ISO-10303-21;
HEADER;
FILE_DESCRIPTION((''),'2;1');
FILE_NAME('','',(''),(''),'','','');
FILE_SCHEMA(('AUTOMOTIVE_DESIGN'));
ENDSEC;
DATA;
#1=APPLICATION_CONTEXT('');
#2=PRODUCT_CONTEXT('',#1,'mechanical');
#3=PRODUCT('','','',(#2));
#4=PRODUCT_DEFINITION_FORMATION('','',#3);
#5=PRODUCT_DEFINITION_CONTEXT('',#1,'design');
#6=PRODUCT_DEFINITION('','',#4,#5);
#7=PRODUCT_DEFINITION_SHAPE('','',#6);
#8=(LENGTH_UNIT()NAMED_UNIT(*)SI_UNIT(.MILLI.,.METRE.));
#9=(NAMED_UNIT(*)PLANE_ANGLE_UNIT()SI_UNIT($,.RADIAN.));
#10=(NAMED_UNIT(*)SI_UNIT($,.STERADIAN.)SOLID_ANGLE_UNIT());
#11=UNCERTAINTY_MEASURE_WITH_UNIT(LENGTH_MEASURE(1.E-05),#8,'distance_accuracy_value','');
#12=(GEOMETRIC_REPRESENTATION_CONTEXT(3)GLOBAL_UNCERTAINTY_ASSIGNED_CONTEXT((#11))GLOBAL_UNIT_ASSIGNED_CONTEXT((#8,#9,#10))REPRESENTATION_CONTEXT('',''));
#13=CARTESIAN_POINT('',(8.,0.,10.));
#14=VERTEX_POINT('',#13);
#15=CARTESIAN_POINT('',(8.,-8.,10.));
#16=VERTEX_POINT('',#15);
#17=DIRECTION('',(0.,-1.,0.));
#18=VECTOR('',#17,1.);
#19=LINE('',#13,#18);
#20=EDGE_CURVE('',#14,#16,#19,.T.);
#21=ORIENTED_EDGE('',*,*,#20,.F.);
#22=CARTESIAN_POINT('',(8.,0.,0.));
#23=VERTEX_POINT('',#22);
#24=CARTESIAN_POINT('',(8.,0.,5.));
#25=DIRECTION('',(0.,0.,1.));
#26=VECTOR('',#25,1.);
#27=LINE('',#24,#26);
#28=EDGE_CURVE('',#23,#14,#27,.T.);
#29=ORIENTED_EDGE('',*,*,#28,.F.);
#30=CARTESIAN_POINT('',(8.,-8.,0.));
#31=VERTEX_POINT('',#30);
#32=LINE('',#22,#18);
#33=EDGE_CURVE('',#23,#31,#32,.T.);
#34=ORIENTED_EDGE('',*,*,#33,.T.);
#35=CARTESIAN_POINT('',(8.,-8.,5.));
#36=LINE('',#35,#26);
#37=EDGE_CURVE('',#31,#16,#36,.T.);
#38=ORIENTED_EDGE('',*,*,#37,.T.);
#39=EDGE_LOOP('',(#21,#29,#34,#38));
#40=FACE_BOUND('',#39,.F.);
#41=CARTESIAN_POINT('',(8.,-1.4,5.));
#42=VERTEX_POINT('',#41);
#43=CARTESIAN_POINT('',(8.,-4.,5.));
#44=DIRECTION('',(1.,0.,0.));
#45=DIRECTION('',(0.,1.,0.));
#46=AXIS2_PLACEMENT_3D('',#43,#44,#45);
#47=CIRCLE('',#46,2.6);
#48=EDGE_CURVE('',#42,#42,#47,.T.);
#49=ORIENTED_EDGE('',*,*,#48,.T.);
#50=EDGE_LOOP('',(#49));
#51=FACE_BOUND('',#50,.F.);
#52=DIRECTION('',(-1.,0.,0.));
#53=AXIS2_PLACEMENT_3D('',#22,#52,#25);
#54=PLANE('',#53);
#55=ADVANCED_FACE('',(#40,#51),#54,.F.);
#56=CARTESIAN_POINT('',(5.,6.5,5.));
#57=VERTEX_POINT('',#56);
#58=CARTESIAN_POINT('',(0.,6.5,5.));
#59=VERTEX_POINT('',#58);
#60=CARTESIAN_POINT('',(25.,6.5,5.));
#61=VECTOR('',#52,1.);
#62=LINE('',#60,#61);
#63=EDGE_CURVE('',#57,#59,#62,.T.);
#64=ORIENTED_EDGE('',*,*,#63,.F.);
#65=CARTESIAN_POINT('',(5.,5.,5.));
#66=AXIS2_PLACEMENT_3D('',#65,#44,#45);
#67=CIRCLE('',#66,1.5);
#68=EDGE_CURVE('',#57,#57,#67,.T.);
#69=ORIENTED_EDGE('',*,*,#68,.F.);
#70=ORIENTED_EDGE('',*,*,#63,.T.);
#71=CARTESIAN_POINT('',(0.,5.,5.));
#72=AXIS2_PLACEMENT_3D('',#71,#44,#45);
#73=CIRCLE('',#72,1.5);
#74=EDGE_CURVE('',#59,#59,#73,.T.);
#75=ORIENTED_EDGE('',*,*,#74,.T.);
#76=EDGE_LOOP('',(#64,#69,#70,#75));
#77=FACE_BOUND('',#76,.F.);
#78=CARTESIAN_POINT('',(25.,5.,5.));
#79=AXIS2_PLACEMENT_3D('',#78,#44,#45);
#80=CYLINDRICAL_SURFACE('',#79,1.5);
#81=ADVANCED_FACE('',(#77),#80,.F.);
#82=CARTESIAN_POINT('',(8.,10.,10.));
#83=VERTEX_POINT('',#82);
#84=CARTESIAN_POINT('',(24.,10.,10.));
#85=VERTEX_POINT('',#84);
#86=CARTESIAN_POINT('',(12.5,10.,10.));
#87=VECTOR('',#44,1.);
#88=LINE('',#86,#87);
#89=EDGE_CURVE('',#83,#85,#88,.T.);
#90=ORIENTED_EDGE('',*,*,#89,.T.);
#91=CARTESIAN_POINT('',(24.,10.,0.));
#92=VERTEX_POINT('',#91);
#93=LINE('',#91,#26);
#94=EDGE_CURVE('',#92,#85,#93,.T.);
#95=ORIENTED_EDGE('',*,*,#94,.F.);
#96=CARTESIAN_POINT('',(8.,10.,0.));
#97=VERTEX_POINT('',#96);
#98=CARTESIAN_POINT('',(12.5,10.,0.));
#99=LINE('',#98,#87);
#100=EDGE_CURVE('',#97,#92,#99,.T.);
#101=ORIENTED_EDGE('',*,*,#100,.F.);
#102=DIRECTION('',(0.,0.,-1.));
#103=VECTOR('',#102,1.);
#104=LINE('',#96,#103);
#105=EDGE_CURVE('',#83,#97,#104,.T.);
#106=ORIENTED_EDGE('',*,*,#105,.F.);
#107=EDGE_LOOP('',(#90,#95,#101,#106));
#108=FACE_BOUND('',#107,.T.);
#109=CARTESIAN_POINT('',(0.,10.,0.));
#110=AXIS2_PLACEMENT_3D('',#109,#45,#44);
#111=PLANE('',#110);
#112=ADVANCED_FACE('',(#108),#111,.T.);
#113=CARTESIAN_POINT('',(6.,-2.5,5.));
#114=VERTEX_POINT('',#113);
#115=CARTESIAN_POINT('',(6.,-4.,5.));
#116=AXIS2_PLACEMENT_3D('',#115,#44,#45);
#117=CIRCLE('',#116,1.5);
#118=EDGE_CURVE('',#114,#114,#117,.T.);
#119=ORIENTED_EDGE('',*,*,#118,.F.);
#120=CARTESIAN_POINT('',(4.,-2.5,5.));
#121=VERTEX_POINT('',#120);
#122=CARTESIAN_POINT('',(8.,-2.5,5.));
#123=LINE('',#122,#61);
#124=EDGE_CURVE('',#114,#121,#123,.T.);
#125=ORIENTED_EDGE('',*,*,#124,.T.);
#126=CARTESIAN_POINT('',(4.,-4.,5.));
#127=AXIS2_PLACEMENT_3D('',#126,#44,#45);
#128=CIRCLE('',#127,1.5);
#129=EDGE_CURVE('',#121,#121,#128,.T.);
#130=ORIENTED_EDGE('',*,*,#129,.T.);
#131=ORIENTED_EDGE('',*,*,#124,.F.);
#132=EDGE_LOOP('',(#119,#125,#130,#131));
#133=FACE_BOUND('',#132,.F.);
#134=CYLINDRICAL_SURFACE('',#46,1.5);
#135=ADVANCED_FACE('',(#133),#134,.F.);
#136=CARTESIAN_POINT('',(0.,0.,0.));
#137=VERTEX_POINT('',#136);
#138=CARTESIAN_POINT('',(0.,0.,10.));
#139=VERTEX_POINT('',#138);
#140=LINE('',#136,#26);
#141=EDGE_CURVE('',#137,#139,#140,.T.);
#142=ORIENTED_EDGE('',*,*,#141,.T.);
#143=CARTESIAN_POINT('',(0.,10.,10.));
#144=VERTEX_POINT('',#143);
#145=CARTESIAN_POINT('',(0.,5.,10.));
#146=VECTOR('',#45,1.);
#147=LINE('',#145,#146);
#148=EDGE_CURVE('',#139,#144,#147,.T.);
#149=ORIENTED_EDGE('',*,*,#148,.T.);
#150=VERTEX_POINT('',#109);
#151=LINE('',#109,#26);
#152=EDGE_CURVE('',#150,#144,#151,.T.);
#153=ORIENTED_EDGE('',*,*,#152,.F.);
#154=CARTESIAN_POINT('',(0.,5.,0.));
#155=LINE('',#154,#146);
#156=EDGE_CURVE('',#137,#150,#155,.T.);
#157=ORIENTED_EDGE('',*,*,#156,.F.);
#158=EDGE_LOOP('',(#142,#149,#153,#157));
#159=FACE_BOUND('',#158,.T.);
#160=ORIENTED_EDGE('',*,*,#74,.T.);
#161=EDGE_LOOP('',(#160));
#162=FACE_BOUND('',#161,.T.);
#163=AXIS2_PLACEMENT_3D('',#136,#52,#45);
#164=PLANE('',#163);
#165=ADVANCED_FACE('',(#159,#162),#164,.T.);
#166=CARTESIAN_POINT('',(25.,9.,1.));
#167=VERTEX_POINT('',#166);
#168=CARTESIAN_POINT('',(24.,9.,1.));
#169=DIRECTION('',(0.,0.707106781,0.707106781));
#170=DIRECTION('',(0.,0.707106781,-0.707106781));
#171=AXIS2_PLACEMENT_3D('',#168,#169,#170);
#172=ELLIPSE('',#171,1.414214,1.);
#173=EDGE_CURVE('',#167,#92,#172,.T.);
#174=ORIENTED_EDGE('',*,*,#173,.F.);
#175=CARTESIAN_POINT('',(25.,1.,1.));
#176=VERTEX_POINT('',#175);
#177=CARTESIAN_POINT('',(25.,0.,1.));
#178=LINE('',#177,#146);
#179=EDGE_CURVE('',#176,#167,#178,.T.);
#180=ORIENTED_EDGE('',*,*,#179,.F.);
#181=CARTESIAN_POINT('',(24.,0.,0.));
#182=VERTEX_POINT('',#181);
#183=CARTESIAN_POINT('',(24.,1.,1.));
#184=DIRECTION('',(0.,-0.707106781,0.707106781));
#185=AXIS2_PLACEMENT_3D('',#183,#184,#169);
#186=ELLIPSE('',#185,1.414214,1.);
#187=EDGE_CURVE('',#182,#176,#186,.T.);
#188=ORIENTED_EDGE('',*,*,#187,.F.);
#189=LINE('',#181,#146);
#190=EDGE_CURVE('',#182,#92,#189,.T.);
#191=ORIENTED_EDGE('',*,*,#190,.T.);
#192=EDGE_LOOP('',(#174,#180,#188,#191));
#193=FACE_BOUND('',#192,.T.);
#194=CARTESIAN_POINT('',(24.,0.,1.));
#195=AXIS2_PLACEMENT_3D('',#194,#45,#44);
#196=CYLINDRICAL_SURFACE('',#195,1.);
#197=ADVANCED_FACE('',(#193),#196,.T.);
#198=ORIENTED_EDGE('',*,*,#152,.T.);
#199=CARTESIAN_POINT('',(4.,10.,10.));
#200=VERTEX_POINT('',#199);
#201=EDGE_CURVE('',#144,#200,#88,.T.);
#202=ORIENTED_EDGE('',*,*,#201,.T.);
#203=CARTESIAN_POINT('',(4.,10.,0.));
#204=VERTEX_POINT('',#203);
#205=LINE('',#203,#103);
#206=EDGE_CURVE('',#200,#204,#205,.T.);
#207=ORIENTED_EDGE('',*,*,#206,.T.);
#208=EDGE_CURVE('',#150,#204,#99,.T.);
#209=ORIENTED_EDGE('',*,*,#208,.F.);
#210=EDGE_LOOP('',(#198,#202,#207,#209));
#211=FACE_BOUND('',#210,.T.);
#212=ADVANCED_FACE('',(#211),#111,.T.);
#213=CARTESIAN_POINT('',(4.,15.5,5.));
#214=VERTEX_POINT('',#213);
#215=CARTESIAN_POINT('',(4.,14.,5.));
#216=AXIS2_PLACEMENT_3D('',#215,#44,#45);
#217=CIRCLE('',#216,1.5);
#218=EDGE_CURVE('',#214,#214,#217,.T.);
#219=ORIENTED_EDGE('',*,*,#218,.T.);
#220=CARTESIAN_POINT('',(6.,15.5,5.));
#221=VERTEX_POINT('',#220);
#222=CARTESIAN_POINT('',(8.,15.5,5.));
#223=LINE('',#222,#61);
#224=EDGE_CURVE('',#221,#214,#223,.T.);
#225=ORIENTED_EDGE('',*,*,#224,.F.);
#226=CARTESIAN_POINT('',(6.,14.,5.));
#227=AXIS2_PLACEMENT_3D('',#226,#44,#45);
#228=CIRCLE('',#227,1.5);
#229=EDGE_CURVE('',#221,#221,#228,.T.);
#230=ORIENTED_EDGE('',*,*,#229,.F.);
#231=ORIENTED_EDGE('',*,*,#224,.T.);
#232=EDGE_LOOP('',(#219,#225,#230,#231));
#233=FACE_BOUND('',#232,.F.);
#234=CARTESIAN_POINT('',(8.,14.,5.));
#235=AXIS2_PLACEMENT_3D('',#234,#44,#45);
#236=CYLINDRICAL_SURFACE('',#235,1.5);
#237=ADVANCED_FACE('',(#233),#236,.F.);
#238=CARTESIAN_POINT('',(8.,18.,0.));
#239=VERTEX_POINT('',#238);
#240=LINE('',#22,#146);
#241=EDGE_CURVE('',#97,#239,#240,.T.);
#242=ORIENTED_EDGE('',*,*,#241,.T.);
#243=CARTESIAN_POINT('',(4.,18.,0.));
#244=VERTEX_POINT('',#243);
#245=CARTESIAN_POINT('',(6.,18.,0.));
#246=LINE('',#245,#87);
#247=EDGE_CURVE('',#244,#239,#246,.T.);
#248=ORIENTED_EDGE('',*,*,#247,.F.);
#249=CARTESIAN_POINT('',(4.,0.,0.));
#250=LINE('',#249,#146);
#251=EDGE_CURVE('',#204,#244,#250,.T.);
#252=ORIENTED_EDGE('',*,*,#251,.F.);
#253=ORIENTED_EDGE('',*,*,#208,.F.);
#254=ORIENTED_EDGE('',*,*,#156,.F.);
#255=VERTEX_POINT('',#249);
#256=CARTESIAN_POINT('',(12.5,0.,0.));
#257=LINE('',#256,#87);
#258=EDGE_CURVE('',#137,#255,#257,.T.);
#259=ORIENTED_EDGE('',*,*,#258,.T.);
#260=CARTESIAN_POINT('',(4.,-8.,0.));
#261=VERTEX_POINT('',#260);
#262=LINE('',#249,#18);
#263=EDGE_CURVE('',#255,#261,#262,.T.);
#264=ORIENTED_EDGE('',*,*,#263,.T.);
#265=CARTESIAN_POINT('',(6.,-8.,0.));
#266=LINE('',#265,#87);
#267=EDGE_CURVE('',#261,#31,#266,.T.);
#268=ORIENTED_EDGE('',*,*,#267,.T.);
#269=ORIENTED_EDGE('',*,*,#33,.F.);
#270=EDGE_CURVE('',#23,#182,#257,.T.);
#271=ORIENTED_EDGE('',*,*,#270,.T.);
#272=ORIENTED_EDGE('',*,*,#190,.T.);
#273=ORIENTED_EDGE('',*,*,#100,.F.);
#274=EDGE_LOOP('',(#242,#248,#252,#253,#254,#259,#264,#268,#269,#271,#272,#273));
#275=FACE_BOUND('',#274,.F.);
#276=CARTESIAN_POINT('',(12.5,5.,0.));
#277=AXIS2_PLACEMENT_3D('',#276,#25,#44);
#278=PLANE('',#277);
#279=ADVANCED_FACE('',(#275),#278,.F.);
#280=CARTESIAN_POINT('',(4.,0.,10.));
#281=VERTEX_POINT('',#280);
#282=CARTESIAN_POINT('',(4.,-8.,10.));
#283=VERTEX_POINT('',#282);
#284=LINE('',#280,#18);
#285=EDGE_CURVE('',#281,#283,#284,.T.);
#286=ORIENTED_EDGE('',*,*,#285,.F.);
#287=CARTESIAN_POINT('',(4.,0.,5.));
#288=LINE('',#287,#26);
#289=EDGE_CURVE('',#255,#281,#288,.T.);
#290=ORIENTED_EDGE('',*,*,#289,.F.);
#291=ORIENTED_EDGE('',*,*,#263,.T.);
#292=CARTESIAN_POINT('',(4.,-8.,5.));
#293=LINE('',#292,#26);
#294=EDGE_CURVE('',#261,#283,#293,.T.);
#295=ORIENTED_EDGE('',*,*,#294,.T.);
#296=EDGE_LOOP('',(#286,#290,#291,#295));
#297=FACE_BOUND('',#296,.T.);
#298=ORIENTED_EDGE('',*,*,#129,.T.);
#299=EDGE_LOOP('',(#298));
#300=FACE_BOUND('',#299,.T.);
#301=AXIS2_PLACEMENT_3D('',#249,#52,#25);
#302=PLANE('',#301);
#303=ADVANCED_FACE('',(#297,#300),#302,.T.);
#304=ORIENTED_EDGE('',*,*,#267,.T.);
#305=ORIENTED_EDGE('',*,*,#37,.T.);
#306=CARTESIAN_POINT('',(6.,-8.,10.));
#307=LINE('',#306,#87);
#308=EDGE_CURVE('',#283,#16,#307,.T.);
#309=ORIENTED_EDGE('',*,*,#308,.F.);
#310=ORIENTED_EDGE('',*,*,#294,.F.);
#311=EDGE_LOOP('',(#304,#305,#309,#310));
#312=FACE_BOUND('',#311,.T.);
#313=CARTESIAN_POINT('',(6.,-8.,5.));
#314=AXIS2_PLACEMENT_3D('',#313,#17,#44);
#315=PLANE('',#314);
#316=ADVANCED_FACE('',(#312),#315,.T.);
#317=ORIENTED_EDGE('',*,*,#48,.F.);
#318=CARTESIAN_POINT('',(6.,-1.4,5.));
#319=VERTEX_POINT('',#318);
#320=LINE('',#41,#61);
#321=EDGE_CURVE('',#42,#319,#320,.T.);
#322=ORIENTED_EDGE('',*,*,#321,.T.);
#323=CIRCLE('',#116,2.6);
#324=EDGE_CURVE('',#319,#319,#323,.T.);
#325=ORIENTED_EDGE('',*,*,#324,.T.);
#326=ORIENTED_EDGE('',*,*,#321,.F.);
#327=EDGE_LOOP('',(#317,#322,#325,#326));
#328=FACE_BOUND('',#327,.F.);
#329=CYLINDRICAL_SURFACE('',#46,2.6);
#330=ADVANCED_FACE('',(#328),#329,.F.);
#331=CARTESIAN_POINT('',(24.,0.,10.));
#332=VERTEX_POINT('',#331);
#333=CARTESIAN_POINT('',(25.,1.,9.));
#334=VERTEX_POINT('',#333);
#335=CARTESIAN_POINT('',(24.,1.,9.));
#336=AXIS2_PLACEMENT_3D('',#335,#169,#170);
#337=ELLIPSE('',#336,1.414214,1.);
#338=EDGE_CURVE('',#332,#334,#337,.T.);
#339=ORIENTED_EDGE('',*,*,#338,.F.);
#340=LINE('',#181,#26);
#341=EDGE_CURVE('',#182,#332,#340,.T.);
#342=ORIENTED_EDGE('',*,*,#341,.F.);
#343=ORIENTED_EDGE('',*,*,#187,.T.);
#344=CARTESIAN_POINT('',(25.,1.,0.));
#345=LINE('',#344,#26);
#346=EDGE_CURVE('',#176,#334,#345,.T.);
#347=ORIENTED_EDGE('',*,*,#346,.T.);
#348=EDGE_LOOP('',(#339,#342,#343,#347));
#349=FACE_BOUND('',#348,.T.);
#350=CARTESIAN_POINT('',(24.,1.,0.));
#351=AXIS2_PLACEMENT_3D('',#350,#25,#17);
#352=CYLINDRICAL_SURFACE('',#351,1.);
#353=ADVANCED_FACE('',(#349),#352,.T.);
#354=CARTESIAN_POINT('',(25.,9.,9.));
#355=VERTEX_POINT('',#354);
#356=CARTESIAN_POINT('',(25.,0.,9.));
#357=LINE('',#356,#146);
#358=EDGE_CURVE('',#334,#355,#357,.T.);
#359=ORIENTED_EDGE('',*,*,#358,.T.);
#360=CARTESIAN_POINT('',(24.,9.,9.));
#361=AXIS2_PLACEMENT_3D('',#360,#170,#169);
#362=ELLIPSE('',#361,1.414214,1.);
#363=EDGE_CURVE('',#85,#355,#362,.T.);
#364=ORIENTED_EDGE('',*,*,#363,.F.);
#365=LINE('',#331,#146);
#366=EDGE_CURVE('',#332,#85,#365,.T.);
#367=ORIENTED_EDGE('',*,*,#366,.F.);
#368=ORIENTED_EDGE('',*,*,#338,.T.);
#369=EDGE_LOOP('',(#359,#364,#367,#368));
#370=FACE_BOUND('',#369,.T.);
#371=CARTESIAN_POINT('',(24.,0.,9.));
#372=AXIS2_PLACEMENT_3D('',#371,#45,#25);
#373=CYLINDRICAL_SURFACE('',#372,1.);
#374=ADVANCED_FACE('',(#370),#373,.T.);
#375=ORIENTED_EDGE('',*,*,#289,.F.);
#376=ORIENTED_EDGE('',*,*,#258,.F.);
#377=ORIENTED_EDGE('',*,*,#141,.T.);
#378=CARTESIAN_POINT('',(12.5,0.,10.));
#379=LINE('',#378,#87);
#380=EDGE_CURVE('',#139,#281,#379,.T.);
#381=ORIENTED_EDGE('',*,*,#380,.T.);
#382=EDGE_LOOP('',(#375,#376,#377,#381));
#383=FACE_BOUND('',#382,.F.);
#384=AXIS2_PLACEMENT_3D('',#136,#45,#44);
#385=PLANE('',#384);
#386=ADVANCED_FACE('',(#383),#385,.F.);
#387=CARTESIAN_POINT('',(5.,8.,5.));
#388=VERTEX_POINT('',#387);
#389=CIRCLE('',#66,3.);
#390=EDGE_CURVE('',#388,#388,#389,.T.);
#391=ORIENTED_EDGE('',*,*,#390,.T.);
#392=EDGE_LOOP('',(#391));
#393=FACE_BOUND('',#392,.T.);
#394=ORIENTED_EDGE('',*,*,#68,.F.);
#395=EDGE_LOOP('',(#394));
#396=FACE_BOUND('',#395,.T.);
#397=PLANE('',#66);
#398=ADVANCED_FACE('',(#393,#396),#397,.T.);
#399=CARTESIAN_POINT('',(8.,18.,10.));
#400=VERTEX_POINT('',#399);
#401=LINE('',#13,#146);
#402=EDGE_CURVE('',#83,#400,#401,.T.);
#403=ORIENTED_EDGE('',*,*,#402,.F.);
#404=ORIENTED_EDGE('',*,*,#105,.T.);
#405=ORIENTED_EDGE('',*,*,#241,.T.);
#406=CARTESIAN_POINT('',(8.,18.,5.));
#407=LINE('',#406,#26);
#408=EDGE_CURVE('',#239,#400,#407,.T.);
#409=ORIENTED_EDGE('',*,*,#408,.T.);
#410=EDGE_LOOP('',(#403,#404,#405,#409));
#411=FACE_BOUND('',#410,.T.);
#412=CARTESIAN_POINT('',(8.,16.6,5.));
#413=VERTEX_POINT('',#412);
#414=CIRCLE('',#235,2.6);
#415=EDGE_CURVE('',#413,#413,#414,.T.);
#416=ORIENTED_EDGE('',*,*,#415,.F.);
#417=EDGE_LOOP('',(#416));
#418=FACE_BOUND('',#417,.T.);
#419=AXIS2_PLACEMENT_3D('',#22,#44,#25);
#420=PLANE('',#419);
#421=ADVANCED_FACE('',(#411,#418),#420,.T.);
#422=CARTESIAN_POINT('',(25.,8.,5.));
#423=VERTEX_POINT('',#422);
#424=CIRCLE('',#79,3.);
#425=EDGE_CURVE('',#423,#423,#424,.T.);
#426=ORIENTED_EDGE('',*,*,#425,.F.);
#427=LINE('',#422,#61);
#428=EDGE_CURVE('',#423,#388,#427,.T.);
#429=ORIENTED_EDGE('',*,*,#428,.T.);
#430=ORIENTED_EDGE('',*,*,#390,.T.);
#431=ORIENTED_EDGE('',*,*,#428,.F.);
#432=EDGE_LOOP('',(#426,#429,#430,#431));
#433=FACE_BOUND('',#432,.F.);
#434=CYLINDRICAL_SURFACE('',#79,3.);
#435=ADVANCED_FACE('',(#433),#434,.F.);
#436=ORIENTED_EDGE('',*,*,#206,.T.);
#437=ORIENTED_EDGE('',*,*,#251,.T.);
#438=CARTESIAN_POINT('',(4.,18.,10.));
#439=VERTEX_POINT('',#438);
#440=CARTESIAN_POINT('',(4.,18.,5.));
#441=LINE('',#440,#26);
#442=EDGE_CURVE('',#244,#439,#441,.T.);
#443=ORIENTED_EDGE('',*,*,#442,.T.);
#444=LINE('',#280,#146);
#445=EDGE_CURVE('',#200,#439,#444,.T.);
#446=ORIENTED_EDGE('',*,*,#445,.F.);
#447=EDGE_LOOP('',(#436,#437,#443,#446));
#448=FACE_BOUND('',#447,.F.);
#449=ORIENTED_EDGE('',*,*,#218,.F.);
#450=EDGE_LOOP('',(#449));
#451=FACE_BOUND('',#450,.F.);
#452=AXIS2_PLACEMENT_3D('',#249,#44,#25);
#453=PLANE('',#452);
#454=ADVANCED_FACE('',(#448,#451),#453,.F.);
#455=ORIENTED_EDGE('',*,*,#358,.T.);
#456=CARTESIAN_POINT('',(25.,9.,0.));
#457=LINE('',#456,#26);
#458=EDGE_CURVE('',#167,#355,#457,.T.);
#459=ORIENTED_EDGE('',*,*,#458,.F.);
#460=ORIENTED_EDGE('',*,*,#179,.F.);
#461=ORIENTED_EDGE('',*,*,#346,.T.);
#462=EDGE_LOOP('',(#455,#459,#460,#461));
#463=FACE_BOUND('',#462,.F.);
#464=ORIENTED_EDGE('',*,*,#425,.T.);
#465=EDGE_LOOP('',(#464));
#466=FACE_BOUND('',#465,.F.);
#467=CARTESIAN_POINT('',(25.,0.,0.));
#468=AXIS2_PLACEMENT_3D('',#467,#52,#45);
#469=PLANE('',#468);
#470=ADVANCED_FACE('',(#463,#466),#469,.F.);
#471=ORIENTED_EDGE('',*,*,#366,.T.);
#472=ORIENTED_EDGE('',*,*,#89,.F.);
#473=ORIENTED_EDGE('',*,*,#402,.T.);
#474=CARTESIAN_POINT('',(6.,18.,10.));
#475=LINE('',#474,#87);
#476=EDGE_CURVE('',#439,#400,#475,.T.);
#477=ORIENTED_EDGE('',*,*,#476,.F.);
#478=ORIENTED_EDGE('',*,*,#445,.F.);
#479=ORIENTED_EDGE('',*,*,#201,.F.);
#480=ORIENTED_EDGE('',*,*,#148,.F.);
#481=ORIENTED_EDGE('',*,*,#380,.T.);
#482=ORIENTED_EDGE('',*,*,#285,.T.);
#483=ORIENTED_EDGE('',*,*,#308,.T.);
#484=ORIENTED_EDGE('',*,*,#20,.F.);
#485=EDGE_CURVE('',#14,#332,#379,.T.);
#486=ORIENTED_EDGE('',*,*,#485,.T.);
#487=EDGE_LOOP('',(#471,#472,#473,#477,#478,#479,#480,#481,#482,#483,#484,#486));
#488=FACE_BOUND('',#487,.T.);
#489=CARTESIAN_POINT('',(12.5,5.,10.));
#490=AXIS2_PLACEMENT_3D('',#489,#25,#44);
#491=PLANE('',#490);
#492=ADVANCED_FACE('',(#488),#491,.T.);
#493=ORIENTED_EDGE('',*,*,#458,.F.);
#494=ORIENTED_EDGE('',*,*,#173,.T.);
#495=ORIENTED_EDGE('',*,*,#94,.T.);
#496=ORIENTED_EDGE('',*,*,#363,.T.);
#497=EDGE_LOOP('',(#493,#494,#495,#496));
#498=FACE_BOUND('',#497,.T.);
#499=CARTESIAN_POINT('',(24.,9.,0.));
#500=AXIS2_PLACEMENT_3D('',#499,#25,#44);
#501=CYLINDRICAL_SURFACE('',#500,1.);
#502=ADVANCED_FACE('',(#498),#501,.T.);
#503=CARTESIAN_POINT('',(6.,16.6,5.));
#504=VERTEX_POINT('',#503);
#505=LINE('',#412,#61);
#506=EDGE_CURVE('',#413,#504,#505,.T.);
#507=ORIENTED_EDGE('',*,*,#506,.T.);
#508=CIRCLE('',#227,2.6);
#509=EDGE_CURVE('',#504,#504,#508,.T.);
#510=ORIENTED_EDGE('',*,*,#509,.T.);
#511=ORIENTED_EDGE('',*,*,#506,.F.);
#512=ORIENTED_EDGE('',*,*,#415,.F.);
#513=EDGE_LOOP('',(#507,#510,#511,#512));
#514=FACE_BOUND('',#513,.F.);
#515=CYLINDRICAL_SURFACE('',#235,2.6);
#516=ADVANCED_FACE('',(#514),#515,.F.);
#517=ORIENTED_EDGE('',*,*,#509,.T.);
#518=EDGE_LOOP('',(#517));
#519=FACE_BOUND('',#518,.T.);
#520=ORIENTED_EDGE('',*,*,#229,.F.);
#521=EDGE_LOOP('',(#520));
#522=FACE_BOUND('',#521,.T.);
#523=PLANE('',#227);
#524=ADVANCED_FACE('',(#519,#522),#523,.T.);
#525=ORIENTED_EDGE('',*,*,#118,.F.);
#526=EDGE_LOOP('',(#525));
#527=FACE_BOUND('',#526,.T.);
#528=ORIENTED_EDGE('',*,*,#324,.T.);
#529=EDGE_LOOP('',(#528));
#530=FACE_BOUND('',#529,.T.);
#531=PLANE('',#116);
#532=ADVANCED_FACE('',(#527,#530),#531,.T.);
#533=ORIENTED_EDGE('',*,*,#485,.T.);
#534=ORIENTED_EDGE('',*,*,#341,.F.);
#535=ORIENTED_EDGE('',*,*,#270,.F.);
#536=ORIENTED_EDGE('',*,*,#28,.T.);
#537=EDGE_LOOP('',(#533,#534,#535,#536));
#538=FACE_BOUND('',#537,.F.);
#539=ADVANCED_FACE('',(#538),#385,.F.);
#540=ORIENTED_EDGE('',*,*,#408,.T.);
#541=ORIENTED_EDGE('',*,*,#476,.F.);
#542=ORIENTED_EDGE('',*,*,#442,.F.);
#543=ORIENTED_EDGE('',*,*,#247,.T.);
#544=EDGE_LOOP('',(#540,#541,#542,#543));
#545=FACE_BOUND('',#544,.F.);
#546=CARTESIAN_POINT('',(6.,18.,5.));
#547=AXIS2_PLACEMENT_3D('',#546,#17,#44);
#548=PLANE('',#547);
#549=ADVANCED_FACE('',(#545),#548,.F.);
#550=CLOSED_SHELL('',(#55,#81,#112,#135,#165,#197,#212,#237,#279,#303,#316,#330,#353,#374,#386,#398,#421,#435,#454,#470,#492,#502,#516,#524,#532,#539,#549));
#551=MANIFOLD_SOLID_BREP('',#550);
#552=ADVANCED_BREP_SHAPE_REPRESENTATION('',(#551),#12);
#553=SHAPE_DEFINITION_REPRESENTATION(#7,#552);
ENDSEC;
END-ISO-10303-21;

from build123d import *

# Parameters (mm, degrees)
BOX_W           = 25
BOX_H           = 10
BOX_DEPTH       = 10
SKETCH_W        = 4
SKETCH_H        = 10
PAD_DEPTH       = 8
PAD_DEPTH_BACK  = 18
SKETCH001_R     = 1.5
POCKET_DEPTH    = 25.001
SKETCH002_R     = 3
POCKET001_DEPTH = 20
SKETCH003_R     = 1.5
POCKET002_DEPTH = 8.001
SKETCH004_R     = 2.6
POCKET003_DEPTH = 2
FILLET_R        = 1


with BuildPart() as part:
    # Box → Box (new body)
    with BuildSketch(Plane.XY):
        with Locations((12.5, 5)):
            Rectangle(BOX_W, BOX_H)
    extrude(amount=BOX_DEPTH)

    # Sketch → Pad (new body, two sides)
    with BuildSketch(Plane.XZ) as pad_sk:
        with Locations((6, 5)):
            Rectangle(SKETCH_W, SKETCH_H)
    extrude(amount=PAD_DEPTH)
    extrude(pad_sk.sketch, amount=-PAD_DEPTH_BACK)

    # Sketch001 → Pocket (cut, through all)
    with BuildSketch(Plane.YZ.offset(25)):
        with Locations((5, 5)):
            Circle(SKETCH001_R)
    extrude(amount=-POCKET_DEPTH, mode=Mode.SUBTRACT)

    # Sketch002 → Pocket001 (cut)
    with BuildSketch(Plane.YZ.offset(25)):
        with Locations((5, 5)):
            Circle(SKETCH002_R)
    extrude(amount=-POCKET001_DEPTH, mode=Mode.SUBTRACT)

    # Sketch003 → Pocket002 (cut, through all)
    with BuildSketch(Plane.YZ.offset(8)):
        with Locations((-4, 5)):
            Circle(SKETCH003_R)
        with Locations((14, 5)):
            Circle(SKETCH003_R)
    extrude(amount=-POCKET002_DEPTH, mode=Mode.SUBTRACT)

    # Sketch004 → Pocket003 (cut)
    with BuildSketch(Plane.YZ.offset(8)):
        with Locations((-4, 5)):
            Circle(SKETCH004_R)
        with Locations((14, 5)):
            Circle(SKETCH004_R)
    extrude(amount=-POCKET003_DEPTH, mode=Mode.SUBTRACT)

    # Fillet
    fillet_edges = [part.edges().sort_by_distance(p)[0] for p in [
        (25, 5, 10),
        (25, 0, 5),
        (25, 5, 0),
        (25, 10, 5),
    ]]
    fillet(fillet_edges, radius=FILLET_R)


solid = part.part
